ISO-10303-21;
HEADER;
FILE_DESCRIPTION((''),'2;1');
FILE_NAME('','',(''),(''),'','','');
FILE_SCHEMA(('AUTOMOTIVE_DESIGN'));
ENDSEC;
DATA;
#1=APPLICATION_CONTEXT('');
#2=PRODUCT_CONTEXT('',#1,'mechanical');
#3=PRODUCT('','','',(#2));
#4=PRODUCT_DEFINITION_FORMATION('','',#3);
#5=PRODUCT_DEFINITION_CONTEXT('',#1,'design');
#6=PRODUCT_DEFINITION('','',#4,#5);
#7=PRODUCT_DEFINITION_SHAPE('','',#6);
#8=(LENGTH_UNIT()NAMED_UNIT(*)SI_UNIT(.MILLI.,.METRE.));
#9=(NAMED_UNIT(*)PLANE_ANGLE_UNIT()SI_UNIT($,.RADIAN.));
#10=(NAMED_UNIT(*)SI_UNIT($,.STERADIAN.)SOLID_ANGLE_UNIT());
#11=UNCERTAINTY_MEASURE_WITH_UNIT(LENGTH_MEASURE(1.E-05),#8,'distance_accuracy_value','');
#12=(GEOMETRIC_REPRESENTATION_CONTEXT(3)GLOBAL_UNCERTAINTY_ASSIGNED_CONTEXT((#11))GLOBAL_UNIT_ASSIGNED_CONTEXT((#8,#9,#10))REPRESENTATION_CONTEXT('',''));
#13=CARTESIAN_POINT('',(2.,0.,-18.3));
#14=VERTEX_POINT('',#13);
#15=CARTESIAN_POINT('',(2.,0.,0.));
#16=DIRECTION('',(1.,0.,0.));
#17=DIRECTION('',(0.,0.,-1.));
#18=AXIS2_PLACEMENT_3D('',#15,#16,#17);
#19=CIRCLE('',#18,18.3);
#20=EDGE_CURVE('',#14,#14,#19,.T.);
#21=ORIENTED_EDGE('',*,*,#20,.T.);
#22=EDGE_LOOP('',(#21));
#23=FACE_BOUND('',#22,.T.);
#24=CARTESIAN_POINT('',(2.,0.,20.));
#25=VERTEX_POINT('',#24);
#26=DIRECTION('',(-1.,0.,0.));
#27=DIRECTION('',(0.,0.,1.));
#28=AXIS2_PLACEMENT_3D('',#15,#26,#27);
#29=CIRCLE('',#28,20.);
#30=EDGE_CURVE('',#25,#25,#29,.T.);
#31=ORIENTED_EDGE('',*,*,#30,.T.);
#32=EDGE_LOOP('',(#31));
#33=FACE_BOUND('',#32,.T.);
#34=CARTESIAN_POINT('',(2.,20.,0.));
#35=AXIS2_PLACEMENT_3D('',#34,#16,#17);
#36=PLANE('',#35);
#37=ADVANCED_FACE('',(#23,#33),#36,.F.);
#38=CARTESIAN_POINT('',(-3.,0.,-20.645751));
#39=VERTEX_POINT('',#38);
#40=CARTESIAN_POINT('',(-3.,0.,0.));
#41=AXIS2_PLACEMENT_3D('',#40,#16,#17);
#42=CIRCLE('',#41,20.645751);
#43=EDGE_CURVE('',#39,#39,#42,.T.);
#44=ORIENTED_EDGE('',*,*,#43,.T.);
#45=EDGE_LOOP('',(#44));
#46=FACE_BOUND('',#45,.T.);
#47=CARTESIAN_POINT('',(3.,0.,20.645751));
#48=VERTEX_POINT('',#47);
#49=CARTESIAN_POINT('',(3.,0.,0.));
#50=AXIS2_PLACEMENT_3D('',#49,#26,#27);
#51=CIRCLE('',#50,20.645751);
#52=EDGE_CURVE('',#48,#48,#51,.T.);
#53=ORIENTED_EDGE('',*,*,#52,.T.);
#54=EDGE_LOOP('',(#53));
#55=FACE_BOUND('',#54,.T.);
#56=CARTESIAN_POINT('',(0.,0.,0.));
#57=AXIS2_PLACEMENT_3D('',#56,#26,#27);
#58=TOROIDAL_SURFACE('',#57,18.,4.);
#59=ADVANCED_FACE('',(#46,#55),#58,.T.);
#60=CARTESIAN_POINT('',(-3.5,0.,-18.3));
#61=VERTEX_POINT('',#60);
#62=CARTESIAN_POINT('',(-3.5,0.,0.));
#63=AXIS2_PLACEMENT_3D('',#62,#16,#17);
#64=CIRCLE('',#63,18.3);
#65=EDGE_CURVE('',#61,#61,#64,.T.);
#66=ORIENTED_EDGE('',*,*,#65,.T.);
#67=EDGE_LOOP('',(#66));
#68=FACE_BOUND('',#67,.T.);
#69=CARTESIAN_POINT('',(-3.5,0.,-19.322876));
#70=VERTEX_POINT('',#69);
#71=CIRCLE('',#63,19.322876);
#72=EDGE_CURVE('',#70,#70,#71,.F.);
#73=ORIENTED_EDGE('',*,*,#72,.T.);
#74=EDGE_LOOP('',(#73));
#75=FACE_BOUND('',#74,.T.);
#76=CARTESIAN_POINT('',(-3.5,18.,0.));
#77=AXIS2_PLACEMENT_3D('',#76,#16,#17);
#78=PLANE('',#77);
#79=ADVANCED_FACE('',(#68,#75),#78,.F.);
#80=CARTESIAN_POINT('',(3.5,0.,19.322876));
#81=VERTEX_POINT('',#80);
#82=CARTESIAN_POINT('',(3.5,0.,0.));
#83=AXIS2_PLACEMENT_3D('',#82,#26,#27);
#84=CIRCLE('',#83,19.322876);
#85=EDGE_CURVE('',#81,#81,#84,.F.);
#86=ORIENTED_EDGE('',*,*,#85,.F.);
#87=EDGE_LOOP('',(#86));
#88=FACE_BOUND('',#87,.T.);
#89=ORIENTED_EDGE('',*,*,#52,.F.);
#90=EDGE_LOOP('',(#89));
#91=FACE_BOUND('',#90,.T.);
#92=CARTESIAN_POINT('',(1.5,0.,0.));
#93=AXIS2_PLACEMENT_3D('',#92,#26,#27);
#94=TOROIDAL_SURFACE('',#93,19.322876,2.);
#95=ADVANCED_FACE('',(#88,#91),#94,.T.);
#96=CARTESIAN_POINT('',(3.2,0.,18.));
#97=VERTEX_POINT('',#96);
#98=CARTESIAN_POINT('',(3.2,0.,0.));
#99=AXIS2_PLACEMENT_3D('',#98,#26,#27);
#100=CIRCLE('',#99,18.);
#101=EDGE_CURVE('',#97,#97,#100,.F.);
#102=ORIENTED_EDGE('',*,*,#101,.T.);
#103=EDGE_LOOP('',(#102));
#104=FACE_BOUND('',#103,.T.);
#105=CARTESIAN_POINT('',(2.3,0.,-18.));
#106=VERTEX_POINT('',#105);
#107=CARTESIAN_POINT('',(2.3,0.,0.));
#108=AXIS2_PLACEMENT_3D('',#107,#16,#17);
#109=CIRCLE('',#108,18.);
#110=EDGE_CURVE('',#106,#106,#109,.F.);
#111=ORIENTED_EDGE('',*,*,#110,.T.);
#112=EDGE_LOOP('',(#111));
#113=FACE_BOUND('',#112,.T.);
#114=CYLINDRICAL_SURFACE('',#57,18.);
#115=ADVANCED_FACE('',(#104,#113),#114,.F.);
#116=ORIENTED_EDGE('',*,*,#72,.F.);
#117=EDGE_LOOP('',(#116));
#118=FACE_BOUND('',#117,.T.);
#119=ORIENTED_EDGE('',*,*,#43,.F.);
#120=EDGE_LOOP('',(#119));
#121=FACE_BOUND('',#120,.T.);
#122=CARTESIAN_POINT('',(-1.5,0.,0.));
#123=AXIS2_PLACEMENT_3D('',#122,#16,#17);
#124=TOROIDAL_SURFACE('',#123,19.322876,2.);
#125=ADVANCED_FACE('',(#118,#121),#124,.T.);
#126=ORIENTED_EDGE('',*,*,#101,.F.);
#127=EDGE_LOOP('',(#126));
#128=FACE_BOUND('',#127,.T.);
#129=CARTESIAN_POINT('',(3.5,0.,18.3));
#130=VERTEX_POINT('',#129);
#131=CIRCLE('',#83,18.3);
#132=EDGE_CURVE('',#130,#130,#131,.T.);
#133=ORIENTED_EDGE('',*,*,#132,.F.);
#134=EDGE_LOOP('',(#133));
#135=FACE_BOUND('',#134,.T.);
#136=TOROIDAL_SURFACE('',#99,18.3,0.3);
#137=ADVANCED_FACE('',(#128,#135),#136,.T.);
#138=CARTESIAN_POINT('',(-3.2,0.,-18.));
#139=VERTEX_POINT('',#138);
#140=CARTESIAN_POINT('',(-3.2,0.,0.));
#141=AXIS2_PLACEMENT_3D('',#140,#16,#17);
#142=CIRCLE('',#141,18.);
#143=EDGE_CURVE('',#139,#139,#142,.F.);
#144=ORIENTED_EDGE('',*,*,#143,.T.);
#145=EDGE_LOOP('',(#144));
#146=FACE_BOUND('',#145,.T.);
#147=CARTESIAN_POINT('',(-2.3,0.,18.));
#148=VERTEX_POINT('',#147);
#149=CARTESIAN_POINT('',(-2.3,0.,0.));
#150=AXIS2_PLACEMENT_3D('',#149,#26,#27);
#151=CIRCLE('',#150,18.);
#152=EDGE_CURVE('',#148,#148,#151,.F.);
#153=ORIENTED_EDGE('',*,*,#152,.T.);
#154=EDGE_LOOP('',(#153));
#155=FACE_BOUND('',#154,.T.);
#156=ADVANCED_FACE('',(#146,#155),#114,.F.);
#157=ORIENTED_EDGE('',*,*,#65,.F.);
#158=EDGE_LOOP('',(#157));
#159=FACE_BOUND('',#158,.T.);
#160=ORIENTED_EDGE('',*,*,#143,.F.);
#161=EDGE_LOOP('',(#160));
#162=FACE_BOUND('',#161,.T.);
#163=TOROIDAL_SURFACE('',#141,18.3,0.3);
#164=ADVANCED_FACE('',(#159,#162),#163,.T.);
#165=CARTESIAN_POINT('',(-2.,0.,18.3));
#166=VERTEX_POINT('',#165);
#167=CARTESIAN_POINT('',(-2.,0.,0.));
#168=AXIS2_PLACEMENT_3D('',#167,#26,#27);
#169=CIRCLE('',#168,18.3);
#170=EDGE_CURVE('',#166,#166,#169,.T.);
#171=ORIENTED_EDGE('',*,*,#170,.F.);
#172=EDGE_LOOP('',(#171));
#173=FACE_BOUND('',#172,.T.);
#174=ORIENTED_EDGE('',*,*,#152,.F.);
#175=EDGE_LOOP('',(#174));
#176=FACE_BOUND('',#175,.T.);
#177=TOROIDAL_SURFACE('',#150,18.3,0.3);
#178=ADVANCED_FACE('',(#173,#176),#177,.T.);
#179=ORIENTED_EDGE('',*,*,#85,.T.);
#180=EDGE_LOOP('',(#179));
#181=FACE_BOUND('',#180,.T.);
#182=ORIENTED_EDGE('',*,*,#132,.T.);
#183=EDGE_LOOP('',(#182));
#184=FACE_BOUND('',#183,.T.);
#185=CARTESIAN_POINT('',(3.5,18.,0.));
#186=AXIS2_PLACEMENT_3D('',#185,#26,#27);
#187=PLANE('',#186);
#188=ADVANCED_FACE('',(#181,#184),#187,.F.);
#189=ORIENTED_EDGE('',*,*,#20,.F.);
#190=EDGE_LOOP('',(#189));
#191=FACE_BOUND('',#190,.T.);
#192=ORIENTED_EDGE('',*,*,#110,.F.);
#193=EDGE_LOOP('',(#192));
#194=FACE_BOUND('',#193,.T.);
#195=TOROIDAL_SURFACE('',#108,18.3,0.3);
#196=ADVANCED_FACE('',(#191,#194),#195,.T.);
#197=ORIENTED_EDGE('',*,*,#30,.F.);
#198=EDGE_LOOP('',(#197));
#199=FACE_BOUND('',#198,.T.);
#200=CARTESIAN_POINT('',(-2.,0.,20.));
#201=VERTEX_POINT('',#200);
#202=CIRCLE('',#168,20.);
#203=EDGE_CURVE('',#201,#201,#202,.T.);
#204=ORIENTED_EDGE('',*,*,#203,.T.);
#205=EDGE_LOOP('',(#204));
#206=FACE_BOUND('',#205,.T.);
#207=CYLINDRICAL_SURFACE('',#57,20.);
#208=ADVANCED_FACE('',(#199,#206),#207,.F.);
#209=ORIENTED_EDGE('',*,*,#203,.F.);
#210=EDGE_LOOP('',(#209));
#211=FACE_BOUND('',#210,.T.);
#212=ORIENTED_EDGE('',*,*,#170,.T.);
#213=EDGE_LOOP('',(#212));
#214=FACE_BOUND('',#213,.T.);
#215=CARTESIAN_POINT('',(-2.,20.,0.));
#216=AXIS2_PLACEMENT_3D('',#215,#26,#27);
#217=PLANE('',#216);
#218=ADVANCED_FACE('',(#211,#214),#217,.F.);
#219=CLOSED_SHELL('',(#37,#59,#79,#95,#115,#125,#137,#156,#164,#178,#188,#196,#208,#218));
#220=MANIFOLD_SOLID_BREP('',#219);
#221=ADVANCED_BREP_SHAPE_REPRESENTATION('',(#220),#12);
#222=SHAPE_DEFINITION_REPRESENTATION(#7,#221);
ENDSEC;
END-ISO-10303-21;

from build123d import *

# Parameters (mm, degrees)
VERRUNDUNG1_R = 2
VERRUNDUNG2_R = 0.3


with BuildPart() as part:
    # Skizze2 → Rotation1 (revolve)
    with BuildSketch(Plane.XY, mode=Mode.PRIVATE) as rotation1_sk:
        with BuildLine():
            Line((2, 20), (-2, 20))
            Line((-2, 20), (-2, 18))
            Line((-2, 18), (-3.5, 18))
            Line((-3.5, 18), (-3.5, 19.936491673))
            ThreePointArc((-3.5, 19.936491673), (0, 22), (3.5, 19.936491673))
            Line((3.5, 19.936491673), (3.5, 18))
            Line((3.5, 18), (2, 18))
            Line((2, 18), (2, 20))
        make_face()
    revolve(rotation1_sk.sketch.rotate(Axis((0, 0, 0), (1, 0, 0)), 90), axis=Axis((0, 0, 0), (1, 0, 0)))

    # Verrundung1
    verrundung1_edges = [part.edges().sort_by_distance(p)[0] for p in [
        (3.5, 0, -19.936491673),
        (-3.5, 0, -19.936491673),
    ]]
    fillet(verrundung1_edges, radius=VERRUNDUNG1_R)

    # Verrundung2
    verrundung2_edges = [part.edges().sort_by_distance(p)[0] for p in [
        (3.5, 0, -18),
        (-3.5, 0, -18),
        (-2, 0, -18),
        (2, 0, -18),
    ]]
    fillet(verrundung2_edges, radius=VERRUNDUNG2_R)


solid = part.part
